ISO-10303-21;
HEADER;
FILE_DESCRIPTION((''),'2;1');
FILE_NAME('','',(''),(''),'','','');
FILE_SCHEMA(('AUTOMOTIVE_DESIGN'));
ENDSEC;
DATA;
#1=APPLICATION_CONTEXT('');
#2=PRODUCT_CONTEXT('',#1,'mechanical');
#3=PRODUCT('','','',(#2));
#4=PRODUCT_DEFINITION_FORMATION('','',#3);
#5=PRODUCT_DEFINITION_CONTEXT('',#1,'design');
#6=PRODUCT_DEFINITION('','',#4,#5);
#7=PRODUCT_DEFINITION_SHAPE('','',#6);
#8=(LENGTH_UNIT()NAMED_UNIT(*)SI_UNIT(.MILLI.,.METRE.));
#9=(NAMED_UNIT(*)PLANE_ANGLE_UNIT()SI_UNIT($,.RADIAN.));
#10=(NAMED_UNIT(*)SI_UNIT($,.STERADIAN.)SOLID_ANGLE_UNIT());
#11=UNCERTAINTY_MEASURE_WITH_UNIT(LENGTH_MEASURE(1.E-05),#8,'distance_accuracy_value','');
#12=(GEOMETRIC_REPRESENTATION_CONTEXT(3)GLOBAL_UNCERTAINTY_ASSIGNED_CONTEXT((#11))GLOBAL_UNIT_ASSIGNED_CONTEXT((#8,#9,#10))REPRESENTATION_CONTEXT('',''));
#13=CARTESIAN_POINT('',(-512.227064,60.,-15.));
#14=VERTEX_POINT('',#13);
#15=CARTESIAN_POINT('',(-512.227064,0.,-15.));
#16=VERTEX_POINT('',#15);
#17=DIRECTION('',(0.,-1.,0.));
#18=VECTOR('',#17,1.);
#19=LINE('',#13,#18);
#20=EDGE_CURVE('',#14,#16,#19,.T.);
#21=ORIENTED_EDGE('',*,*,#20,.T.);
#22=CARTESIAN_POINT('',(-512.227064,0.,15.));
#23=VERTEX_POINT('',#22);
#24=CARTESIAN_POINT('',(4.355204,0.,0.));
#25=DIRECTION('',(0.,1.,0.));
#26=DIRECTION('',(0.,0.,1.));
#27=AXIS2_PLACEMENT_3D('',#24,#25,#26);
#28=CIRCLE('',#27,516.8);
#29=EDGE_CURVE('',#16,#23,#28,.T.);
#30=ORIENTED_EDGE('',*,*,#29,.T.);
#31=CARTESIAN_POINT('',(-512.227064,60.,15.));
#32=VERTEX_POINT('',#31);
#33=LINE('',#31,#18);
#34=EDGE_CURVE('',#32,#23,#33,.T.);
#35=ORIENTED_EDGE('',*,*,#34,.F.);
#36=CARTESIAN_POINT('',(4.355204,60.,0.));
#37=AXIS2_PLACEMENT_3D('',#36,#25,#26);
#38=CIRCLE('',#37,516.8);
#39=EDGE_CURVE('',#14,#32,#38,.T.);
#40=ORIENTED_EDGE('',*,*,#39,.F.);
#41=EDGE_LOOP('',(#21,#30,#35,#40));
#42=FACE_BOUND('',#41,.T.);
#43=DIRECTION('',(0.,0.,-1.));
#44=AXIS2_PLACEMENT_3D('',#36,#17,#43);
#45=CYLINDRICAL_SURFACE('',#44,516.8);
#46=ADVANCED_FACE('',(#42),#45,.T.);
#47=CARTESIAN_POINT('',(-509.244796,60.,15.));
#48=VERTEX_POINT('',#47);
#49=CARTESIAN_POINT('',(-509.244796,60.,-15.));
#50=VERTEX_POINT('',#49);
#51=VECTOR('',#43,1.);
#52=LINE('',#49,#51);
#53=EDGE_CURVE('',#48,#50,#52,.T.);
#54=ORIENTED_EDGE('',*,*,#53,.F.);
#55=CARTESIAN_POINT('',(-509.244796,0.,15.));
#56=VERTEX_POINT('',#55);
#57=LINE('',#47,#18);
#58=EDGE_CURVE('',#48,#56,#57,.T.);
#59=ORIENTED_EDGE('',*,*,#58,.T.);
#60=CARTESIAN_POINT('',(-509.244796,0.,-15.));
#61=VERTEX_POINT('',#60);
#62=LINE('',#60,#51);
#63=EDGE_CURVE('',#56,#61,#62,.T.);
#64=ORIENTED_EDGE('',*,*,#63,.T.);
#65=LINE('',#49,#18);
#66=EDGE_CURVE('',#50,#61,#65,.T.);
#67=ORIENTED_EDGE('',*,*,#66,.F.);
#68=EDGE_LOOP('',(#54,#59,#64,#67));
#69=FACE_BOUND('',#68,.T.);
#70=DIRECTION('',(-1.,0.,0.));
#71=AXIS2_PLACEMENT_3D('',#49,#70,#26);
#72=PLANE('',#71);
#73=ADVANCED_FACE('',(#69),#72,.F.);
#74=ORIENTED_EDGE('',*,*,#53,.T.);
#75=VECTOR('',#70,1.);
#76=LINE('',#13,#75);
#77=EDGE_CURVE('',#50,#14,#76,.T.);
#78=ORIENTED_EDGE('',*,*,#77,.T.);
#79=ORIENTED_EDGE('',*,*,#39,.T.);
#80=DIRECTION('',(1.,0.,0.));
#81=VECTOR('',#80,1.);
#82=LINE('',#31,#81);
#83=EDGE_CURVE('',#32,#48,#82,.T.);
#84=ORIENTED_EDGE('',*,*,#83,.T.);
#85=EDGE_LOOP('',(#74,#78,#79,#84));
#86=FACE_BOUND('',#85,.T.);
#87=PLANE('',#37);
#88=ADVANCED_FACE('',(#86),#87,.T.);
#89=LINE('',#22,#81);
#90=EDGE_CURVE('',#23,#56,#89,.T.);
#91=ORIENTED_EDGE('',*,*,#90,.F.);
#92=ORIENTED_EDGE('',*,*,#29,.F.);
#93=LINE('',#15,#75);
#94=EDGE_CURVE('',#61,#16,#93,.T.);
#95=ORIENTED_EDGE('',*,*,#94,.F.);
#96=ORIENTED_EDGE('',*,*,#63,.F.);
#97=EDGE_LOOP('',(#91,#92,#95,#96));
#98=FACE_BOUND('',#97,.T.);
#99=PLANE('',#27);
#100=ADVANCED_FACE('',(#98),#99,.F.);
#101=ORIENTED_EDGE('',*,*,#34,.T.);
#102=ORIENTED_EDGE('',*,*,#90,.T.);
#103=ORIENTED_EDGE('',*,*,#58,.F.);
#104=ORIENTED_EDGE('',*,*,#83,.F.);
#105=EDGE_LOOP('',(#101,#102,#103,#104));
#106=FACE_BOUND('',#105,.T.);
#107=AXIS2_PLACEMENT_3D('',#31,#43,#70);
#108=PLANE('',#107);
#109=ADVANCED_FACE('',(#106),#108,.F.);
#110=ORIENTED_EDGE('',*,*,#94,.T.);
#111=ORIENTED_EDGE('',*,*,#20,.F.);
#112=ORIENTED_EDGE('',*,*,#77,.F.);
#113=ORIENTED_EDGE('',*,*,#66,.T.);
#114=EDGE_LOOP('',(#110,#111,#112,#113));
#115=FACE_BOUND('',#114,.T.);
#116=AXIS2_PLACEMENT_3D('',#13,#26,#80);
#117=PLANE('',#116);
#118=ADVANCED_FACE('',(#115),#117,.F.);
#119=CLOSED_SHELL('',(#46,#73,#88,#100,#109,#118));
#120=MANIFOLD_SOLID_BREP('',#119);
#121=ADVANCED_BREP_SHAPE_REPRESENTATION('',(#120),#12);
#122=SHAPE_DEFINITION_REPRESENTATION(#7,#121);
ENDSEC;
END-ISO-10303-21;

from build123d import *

# Parameters (mm, degrees)
EXTRUDE_1_DEPTH = 60


with BuildPart() as part:
    # 草图1 → 凸台-拉伸1 (new body)
    with BuildSketch(Plane(origin=(0, 0, 0), x_dir=(1, 0, 0), z_dir=(0, 1, 0))):
        with BuildLine():
            Line((-512.227064041, 15), (-509.244795665, 15))
            Line((-509.244795665, 15), (-509.244795665, -15))
            Line((-509.244795665, -15), (-512.227064041, -15))
            ThreePointArc((-512.227064041, -15), (-512.444795665, 0), (-512.227064041, 15))
        make_face()
    extrude(amount=EXTRUDE_1_DEPTH)


solid = part.part
